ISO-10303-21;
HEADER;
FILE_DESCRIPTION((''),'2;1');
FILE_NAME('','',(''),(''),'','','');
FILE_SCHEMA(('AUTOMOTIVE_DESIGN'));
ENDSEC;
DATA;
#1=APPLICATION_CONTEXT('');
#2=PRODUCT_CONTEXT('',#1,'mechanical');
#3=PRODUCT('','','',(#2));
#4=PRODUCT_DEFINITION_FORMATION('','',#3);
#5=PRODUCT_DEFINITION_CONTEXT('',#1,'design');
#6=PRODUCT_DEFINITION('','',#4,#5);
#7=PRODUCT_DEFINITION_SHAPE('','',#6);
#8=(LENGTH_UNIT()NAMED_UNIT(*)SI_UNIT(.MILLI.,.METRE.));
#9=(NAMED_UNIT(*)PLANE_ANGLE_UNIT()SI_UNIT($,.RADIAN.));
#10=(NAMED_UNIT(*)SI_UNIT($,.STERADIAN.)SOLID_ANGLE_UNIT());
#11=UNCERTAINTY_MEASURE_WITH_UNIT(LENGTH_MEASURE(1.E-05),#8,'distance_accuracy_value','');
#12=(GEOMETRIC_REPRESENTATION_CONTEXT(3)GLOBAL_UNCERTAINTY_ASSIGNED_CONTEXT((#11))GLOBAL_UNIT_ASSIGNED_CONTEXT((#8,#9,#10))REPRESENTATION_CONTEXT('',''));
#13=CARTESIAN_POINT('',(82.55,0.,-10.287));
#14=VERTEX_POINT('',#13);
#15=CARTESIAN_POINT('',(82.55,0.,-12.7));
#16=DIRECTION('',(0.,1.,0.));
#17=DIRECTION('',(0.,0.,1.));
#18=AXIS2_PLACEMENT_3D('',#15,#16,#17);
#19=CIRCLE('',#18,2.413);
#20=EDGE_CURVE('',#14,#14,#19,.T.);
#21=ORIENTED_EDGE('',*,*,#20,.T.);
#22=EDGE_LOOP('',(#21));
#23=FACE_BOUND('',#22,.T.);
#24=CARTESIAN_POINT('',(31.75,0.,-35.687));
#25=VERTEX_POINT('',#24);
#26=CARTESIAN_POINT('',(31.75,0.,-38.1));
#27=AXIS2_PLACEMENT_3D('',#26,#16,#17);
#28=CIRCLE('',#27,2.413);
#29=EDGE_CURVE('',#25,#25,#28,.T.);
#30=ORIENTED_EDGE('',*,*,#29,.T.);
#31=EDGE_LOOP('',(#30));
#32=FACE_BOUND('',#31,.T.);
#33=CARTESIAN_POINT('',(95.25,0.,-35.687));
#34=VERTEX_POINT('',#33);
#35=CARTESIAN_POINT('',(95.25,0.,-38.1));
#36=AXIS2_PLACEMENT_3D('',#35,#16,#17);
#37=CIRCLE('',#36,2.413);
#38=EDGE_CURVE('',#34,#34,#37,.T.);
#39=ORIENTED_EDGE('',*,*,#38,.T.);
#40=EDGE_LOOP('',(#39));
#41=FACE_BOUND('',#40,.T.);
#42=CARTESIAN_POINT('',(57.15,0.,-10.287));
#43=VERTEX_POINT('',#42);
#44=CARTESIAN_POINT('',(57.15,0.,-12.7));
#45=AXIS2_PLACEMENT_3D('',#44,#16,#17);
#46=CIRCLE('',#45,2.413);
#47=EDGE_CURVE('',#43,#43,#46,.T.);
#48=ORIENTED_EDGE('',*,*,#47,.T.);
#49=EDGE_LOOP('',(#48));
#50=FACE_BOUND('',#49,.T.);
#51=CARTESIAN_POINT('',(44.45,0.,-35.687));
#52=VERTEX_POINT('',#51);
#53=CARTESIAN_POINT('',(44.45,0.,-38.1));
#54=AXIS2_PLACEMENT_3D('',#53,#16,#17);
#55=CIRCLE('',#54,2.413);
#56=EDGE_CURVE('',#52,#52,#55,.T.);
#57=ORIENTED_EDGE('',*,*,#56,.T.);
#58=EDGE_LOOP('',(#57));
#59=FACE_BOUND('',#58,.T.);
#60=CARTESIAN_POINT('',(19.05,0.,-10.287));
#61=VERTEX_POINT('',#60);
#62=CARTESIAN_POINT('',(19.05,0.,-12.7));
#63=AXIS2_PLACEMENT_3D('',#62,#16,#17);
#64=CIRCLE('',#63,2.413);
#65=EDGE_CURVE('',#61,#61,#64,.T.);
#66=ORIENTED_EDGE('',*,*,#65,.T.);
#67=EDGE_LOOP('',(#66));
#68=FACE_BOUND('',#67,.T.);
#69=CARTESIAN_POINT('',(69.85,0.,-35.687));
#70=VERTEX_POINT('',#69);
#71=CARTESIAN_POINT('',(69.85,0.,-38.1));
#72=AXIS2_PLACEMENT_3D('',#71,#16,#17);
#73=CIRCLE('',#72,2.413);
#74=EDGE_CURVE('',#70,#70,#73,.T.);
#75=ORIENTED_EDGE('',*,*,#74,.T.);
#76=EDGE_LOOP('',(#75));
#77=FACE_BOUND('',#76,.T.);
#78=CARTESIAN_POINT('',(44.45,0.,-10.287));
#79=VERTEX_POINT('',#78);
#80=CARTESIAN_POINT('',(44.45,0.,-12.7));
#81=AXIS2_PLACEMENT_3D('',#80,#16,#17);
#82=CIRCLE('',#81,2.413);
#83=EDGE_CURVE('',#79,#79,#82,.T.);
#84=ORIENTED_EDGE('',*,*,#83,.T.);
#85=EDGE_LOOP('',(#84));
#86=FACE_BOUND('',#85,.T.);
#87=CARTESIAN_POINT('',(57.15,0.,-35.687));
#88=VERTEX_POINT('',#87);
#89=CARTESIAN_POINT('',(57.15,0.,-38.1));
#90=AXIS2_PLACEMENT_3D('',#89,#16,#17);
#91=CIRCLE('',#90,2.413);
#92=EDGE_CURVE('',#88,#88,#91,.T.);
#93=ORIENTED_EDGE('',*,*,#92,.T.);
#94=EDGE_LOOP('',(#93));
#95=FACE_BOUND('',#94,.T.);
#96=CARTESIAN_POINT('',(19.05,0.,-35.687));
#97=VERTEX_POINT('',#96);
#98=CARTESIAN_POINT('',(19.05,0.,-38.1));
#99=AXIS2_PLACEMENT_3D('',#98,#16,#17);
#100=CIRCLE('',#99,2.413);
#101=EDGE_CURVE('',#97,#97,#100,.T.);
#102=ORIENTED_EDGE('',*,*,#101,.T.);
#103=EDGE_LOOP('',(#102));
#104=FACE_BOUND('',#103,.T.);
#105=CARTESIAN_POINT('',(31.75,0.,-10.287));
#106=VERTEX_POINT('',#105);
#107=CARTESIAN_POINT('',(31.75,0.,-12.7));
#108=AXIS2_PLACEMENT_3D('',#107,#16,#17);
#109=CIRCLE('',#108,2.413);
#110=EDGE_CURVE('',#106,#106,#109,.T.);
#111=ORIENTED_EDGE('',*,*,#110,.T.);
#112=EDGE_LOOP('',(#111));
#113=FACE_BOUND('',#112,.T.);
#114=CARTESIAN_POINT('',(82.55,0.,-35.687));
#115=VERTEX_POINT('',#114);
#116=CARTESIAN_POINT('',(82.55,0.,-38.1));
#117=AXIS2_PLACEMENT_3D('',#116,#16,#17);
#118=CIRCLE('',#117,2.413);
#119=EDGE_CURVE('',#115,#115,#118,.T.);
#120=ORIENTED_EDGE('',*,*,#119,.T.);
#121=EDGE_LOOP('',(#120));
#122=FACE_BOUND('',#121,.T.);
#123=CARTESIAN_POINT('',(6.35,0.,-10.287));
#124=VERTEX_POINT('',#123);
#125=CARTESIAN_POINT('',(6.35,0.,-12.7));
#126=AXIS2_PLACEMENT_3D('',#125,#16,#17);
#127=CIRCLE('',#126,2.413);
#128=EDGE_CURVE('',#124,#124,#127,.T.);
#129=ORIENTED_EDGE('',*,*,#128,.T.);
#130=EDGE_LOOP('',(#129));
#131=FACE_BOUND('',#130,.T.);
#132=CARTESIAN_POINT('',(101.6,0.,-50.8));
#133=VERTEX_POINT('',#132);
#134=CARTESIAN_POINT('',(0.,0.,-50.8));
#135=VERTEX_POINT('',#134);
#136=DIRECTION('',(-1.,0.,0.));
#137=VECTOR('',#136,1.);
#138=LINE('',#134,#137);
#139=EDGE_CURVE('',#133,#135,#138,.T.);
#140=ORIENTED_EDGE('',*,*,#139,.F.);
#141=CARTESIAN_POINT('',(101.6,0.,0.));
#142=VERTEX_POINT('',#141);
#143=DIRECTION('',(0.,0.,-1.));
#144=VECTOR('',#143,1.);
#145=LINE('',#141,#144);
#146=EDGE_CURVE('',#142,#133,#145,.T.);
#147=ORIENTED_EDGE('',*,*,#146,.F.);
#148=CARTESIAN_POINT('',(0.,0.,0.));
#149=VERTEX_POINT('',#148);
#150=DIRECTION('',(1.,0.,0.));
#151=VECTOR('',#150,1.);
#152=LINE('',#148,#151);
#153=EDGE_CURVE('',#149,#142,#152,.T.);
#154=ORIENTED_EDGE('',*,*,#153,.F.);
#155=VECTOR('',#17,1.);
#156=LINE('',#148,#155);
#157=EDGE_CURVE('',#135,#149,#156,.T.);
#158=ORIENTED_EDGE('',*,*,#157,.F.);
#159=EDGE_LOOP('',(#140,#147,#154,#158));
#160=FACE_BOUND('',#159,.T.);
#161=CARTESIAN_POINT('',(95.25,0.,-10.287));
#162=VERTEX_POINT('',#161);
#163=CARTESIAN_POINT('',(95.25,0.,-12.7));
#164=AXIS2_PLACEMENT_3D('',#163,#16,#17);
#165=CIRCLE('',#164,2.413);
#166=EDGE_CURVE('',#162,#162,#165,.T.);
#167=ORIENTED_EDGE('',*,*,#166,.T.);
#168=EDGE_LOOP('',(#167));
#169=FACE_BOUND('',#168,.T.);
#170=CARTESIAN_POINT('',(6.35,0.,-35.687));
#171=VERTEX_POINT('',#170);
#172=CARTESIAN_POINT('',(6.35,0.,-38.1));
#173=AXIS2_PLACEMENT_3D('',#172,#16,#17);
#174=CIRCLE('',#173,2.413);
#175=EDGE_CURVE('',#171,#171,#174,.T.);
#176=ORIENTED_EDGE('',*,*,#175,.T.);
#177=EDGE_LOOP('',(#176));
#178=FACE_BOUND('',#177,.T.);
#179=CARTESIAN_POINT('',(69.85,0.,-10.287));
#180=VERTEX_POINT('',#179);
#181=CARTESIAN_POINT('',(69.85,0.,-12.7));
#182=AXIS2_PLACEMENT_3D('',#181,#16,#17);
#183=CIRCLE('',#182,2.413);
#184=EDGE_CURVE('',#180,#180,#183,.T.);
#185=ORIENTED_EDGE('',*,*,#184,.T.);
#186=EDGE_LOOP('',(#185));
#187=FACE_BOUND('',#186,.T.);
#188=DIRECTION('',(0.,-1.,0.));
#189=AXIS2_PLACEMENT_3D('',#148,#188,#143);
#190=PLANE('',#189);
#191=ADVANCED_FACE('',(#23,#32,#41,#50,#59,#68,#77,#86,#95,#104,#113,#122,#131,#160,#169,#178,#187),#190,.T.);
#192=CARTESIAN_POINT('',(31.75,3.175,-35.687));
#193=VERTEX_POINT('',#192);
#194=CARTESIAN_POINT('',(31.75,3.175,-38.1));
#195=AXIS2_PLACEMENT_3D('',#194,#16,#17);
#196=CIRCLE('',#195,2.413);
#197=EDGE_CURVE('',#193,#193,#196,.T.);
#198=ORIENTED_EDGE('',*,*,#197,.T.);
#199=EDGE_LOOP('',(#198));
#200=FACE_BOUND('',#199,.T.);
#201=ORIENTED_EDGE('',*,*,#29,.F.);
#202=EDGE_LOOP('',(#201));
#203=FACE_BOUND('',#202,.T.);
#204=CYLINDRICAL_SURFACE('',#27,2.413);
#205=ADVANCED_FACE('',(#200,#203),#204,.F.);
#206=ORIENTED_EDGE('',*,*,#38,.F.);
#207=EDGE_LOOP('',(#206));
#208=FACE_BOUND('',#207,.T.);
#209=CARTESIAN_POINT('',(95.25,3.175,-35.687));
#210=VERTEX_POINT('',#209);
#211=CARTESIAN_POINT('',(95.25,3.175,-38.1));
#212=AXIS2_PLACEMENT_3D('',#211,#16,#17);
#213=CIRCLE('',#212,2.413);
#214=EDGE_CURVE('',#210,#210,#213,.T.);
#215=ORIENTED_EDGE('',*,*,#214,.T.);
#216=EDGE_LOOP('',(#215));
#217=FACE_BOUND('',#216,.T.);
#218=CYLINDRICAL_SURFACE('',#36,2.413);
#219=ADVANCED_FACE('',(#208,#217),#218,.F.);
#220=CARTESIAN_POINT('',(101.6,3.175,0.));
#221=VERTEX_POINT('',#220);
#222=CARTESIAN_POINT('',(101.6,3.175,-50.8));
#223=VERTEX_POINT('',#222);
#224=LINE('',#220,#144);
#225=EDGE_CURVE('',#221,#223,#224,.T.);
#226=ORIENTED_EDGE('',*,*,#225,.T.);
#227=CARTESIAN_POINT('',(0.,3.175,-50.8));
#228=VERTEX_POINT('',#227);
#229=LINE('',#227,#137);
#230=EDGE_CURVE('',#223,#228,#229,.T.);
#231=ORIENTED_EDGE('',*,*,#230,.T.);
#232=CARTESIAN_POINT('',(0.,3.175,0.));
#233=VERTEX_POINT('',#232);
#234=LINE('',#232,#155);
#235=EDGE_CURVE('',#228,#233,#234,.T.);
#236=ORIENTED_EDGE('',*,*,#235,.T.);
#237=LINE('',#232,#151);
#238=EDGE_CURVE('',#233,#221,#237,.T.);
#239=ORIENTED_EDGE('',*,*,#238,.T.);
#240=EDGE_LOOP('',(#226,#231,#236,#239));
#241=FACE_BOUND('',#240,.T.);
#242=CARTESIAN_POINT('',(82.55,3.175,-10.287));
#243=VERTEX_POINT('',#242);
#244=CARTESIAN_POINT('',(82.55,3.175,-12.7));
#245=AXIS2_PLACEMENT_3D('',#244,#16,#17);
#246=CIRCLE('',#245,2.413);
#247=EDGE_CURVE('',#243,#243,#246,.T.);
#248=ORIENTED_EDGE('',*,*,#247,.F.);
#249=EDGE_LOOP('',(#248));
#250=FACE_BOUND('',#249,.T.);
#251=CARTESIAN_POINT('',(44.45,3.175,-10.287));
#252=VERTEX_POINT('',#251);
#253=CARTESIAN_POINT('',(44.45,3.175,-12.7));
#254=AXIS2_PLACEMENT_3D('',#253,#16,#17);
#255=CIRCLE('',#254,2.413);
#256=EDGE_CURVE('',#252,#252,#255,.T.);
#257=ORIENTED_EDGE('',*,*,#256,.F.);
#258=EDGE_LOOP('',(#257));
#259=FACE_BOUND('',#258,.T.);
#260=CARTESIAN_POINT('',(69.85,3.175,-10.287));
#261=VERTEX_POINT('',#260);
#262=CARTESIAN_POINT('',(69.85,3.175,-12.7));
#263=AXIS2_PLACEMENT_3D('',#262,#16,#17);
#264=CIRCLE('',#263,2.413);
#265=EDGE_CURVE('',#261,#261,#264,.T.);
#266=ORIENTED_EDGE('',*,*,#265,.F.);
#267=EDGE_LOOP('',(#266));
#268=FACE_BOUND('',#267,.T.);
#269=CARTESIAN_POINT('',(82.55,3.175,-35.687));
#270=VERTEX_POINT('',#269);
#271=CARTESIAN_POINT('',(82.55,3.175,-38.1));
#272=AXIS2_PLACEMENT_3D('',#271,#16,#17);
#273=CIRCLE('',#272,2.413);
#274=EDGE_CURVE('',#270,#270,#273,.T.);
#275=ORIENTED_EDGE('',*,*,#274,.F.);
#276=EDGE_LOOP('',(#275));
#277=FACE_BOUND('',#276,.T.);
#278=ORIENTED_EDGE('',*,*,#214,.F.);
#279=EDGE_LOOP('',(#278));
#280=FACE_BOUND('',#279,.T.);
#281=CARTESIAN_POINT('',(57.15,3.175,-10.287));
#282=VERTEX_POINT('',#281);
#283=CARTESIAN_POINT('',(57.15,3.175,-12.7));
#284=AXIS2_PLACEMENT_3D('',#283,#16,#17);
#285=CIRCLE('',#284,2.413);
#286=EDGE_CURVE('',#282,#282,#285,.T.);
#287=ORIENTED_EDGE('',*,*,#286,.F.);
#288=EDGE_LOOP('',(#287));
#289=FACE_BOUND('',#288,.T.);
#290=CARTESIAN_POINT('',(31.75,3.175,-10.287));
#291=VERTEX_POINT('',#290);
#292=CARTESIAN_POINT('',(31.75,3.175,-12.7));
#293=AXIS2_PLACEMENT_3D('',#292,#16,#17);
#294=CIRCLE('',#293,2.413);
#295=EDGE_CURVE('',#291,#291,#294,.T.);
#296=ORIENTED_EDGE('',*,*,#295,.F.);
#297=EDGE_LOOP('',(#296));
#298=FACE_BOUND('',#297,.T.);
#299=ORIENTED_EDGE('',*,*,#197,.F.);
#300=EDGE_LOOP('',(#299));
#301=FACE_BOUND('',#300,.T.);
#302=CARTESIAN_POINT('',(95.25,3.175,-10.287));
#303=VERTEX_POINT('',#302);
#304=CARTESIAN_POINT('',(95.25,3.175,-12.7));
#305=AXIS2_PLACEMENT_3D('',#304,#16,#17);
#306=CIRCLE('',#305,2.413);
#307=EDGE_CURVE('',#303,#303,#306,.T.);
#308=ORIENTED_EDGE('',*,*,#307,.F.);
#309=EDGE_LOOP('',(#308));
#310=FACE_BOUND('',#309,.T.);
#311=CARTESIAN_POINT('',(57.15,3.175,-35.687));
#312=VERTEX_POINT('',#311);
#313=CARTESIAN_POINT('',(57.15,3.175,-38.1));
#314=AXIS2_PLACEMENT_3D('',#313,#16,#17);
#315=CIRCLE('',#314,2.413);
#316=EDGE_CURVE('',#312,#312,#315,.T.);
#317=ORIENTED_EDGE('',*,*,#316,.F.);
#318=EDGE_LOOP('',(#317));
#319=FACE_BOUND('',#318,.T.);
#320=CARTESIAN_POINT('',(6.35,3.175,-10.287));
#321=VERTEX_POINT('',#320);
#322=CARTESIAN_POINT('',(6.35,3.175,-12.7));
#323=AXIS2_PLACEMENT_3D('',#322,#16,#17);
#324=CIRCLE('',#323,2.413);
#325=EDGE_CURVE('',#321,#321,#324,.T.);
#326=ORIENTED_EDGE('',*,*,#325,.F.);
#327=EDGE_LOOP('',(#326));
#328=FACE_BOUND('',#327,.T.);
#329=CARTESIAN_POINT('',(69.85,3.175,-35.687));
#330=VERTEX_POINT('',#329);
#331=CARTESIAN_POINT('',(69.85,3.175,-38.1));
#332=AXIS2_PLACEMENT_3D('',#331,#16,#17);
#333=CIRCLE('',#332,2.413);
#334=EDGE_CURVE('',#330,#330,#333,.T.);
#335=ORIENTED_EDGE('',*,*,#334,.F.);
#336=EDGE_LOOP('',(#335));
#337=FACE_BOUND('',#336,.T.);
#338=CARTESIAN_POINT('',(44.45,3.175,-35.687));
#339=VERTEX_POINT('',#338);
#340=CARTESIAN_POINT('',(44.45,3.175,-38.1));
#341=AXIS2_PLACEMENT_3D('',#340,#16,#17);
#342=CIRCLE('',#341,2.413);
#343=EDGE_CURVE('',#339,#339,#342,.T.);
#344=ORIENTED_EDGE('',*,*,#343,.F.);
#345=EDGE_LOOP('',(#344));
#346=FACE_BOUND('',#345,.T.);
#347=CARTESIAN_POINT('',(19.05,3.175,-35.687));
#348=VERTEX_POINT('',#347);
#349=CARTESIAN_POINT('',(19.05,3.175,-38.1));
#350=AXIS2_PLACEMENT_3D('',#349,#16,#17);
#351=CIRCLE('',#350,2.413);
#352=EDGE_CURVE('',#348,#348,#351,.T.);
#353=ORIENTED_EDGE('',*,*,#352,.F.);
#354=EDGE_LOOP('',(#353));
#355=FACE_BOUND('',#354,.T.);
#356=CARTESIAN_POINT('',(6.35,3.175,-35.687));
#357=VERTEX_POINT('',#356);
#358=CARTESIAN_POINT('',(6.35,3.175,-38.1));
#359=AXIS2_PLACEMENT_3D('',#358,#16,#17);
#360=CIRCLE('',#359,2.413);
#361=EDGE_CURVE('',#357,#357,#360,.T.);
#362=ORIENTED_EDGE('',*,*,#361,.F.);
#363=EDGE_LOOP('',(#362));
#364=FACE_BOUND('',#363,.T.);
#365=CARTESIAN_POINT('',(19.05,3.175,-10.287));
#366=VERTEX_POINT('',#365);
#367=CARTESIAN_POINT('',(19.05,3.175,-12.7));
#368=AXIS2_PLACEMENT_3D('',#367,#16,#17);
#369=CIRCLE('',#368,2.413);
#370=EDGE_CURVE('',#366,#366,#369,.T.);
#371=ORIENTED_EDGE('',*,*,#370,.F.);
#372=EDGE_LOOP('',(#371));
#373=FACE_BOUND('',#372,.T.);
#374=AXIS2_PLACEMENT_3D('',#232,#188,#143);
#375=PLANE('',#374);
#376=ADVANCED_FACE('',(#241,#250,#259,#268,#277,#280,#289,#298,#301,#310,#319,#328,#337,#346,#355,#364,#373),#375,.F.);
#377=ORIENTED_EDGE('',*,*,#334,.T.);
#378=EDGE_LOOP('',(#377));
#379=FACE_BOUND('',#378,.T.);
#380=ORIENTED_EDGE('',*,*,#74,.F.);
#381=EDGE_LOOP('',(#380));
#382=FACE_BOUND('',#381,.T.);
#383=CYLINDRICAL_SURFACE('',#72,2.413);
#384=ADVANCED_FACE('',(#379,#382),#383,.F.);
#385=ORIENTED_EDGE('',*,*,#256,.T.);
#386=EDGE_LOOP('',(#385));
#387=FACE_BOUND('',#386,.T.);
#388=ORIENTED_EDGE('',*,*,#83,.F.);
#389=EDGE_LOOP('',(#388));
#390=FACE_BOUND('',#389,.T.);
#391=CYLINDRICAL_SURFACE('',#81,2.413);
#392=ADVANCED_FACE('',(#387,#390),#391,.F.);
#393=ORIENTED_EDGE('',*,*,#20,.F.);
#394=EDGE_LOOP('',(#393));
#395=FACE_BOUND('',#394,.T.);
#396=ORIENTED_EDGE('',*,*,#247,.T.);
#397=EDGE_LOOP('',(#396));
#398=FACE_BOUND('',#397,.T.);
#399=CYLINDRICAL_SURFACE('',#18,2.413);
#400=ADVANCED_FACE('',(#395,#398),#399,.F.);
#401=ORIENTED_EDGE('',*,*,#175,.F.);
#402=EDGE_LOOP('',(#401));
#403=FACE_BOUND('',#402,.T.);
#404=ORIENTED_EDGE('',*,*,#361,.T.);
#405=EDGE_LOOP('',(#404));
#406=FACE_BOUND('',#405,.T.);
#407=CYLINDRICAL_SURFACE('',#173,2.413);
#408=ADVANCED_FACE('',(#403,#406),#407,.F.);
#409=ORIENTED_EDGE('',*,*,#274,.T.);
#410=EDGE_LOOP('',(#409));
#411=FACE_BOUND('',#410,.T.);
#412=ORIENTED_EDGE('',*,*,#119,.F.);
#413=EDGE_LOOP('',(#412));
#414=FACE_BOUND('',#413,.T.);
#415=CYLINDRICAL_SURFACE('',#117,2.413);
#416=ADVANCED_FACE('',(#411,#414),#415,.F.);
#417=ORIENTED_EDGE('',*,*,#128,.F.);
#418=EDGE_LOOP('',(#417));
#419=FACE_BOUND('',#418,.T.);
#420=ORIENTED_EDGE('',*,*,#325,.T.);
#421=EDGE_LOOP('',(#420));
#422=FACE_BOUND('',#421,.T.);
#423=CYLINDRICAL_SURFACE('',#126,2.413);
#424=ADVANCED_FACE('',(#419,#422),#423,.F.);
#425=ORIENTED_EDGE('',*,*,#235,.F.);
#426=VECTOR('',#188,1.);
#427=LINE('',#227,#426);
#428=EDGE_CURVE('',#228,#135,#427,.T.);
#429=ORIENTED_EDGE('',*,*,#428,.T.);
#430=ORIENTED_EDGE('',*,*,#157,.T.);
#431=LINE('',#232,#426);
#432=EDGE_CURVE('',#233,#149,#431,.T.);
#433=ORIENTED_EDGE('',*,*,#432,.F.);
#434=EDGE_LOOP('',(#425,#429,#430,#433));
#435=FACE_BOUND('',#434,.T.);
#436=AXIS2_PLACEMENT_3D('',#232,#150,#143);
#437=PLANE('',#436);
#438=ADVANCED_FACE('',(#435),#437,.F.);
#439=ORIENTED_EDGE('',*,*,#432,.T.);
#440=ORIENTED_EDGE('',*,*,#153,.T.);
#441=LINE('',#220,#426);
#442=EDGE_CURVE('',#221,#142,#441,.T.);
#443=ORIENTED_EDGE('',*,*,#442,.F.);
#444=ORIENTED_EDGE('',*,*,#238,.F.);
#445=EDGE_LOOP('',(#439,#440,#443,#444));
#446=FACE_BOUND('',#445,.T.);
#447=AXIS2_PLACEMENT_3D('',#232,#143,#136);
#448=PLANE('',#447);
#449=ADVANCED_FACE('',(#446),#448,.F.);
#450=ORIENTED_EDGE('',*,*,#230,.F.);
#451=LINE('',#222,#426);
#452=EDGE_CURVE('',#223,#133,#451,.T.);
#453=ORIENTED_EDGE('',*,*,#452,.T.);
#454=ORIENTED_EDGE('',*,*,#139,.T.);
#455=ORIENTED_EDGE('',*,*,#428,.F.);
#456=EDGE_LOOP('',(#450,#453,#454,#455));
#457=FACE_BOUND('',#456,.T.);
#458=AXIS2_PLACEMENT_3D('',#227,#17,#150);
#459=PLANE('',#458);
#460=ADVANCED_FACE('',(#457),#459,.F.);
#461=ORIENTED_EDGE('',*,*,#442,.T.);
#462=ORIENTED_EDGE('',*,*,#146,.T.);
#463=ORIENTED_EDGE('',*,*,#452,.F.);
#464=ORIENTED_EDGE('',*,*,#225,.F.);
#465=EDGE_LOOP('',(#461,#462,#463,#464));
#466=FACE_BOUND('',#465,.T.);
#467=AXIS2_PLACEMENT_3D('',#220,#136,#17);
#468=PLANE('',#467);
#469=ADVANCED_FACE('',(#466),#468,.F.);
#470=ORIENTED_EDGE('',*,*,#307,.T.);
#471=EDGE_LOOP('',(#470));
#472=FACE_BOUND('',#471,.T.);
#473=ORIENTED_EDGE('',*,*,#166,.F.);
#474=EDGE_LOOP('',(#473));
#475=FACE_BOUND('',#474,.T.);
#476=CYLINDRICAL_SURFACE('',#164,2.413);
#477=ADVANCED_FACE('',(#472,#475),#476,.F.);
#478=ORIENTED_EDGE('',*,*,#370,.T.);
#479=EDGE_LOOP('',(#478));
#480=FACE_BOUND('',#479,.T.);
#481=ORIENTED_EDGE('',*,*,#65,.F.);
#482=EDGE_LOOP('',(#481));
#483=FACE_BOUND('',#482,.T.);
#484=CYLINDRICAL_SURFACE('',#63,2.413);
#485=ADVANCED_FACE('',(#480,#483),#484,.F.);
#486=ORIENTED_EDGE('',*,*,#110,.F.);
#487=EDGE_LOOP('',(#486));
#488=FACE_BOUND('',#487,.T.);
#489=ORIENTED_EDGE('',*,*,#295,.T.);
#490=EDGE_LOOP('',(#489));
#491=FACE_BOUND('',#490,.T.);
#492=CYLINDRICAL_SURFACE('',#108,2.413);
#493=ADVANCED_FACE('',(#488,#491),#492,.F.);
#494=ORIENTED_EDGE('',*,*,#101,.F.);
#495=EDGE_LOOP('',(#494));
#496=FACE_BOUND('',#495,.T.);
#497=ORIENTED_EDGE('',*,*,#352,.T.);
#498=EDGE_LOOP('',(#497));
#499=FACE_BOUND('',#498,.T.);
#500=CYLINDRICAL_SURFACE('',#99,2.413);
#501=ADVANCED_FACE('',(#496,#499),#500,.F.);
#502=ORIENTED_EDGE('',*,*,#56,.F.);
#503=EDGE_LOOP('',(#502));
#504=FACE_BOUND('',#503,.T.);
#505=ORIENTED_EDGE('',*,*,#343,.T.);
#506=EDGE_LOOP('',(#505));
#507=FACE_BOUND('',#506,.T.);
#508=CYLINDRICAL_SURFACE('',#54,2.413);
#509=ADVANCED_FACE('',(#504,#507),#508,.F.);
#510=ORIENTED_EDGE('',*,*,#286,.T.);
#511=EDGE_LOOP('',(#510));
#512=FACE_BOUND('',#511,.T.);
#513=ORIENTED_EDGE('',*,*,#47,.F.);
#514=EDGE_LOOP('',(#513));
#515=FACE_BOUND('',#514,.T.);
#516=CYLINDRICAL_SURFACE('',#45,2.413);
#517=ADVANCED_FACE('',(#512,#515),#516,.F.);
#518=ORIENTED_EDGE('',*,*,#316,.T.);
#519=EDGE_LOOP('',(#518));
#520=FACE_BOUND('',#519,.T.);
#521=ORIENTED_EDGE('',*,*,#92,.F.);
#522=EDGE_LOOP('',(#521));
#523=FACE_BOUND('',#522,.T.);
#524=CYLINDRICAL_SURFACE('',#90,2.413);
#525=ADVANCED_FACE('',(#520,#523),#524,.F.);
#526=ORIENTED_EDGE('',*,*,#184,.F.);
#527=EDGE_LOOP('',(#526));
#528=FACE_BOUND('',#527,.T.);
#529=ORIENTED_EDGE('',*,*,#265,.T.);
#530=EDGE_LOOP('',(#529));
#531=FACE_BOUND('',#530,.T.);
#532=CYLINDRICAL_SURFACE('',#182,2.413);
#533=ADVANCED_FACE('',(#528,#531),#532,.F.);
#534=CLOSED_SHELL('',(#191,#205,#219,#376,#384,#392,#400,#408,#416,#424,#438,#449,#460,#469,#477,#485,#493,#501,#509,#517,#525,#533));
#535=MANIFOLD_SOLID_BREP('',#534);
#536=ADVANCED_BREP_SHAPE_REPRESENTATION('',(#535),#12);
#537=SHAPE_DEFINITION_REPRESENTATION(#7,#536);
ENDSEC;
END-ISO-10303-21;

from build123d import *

# Parameters (mm, degrees)
SKETCH1_W           = 101.6
SKETCH1_H           = 50.8
BOSS_EXTRUDE1_DEPTH = 3.175
SKETCH2_R           = 2.413
CUT_EXTRUDE1_DEPTH  = 114.636616568


with BuildPart() as part:
    # Sketch1 → Boss-Extrude1 (new body)
    with BuildSketch(Plane(origin=(0, 0, 0), x_dir=(1, 0, 0), z_dir=(0, 1, 0))):
        with Locations((50.8, 25.4)):
            Rectangle(SKETCH1_W, SKETCH1_H)
    extrude(amount=BOSS_EXTRUDE1_DEPTH)

    # Sketch2 → Cut-Extrude1 (cut, through all)
    with BuildSketch(Plane(origin=(0, 3.175, 0), x_dir=(1, 0, 0), z_dir=(0, 1, 0))):
        with Locations(Location((6.35, 38.1, 0), (0, 0, 270))):
            Circle(SKETCH2_R)
        with Locations(Location((6.35, 12.7, 0), (0, 0, 270))):
            Circle(SKETCH2_R)
        with Locations(Location((19.05, 38.1, 0), (0, 0, 270))):
            Circle(SKETCH2_R)
        with Locations(Location((19.05, 12.7, 0), (0, 0, 270))):
            Circle(SKETCH2_R)
        with Locations(Location((31.75, 38.1, 0), (0, 0, 270))):
            Circle(SKETCH2_R)
        with Locations(Location((31.75, 12.7, 0), (0, 0, 270))):
            Circle(SKETCH2_R)
        with Locations(Location((44.45, 38.1, 0), (0, 0, 270))):
            Circle(SKETCH2_R)
        with Locations(Location((44.45, 12.7, 0), (0, 0, 270))):
            Circle(SKETCH2_R)
        with Locations(Location((57.15, 38.1, 0), (0, 0, 270))):
            Circle(SKETCH2_R)
        with Locations(Location((57.15, 12.7, 0), (0, 0, 270))):
            Circle(SKETCH2_R)
        with Locations(Location((69.85, 38.1, 0), (0, 0, 270))):
            Circle(SKETCH2_R)
        with Locations(Location((69.85, 12.7, 0), (0, 0, 270))):
            Circle(SKETCH2_R)
        with Locations(Location((82.55, 38.1, 0), (0, 0, 270))):
            Circle(SKETCH2_R)
        with Locations(Location((82.55, 12.7, 0), (0, 0, 270))):
            Circle(SKETCH2_R)
        with Locations(Location((95.25, 38.1, 0), (0, 0, 270))):
            Circle(SKETCH2_R)
        with Locations(Location((95.25, 12.7, 0), (0, 0, 270))):
            Circle(SKETCH2_R)
    extrude(amount=-CUT_EXTRUDE1_DEPTH, mode=Mode.SUBTRACT)


solid = part.part
